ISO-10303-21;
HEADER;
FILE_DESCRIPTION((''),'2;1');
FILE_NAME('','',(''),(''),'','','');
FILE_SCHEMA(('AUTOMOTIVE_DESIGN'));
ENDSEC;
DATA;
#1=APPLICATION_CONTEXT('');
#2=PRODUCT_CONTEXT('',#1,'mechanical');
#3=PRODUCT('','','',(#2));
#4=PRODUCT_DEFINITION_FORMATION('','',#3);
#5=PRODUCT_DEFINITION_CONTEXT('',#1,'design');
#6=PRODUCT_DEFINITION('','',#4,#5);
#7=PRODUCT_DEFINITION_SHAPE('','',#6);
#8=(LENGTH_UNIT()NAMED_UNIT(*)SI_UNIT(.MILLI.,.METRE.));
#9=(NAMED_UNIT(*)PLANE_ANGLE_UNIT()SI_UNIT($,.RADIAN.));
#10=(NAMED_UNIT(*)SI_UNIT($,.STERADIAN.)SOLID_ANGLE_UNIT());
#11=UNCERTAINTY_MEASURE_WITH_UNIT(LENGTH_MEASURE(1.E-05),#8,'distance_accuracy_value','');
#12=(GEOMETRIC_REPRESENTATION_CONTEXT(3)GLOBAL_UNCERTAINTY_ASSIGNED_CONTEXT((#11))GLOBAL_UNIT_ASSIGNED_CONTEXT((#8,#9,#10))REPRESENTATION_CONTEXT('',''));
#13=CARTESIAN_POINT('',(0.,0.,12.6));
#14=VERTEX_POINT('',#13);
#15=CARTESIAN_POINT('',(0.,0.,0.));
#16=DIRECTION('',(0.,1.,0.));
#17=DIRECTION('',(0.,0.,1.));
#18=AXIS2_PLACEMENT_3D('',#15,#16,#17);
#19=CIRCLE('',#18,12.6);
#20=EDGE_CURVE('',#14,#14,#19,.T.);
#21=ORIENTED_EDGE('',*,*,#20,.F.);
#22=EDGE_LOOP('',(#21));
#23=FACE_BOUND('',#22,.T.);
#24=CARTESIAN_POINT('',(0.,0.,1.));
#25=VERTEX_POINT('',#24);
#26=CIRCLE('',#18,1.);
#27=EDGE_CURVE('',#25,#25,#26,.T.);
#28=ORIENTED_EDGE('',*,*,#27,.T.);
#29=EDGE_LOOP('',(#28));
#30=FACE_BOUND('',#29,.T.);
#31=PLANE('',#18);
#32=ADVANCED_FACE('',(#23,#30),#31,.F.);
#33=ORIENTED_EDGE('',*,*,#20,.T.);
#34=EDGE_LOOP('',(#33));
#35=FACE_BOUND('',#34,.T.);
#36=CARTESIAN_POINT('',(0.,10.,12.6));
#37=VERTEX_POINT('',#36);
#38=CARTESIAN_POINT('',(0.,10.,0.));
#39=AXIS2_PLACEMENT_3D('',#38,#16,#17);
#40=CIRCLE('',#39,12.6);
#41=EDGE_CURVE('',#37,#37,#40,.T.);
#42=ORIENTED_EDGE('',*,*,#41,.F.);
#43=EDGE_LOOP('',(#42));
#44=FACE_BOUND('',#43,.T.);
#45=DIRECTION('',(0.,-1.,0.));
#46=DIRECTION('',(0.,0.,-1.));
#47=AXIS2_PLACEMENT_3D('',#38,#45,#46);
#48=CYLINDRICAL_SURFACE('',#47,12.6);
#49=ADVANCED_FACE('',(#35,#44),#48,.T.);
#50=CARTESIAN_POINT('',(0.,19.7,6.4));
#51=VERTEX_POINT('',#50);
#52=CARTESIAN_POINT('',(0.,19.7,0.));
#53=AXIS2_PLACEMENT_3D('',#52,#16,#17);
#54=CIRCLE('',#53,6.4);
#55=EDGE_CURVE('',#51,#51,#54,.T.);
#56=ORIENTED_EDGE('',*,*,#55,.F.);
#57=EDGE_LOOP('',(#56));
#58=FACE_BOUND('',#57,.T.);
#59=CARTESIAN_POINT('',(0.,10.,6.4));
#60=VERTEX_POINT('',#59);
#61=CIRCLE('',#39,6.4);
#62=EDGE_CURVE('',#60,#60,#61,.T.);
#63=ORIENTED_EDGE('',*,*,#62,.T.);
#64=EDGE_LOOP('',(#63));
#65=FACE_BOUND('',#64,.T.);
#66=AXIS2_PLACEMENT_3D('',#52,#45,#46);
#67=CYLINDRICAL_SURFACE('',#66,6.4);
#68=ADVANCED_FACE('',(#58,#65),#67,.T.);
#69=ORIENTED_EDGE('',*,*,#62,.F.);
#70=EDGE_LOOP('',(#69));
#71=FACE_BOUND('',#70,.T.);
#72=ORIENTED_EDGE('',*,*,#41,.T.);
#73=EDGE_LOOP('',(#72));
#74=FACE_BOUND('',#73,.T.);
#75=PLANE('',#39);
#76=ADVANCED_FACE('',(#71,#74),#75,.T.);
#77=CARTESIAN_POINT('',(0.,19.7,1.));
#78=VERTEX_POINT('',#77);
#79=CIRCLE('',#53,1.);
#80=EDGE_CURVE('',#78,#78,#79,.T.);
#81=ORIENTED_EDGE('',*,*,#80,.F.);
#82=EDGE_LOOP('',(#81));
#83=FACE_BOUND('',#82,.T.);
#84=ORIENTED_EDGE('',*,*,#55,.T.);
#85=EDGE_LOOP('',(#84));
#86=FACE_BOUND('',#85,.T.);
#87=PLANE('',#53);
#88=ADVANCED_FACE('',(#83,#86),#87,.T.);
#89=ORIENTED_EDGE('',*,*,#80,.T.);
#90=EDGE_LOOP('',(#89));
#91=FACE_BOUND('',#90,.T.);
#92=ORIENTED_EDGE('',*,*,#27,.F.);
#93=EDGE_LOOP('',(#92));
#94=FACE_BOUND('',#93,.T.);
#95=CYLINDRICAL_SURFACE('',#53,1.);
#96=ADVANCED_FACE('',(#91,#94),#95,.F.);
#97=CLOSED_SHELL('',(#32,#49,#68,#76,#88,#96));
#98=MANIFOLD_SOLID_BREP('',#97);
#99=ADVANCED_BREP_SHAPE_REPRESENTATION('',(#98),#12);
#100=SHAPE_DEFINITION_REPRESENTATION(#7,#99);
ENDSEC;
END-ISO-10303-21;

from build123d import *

# Parameters (mm, degrees)
ESQUISSE1_R        = 12.6
BOSS_EXTRU_1_DEPTH = 10
ESQUISSE2_R        = 6.4
BOSS_EXTRU_2_DEPTH = 9.7
D_GAGEMENT_M1_61_D = 2


with BuildPart() as part:
    # Esquisse1 → Boss.-Extru.1 (new body)
    with BuildSketch(Plane(origin=(0, 0, 0), x_dir=(1, 0, 0), z_dir=(0, 1, 0))):
        with Locations(Location((0, 0, 0), (0, 0, 270))):
            Circle(ESQUISSE1_R)
    extrude(amount=BOSS_EXTRU_1_DEPTH)

    # Esquisse2 → Boss.-Extru.2 (add)
    with BuildSketch(Plane(origin=(0, 10, 0), x_dir=(1, 0, 0), z_dir=(0, 1, 0))):
        with Locations(Location((0, 0, 0), (0, 0, 270))):
            Circle(ESQUISSE2_R)
    extrude(amount=BOSS_EXTRU_2_DEPTH)

    # Dégagement M1.61 (through all)
    with Locations(Plane(origin=(0, 19.7, 0), x_dir=(1, 0, 0), z_dir=(0, 1, 0))):
        with Locations((0, 0)):
            Hole(D_GAGEMENT_M1_61_D / 2)


solid = part.part
